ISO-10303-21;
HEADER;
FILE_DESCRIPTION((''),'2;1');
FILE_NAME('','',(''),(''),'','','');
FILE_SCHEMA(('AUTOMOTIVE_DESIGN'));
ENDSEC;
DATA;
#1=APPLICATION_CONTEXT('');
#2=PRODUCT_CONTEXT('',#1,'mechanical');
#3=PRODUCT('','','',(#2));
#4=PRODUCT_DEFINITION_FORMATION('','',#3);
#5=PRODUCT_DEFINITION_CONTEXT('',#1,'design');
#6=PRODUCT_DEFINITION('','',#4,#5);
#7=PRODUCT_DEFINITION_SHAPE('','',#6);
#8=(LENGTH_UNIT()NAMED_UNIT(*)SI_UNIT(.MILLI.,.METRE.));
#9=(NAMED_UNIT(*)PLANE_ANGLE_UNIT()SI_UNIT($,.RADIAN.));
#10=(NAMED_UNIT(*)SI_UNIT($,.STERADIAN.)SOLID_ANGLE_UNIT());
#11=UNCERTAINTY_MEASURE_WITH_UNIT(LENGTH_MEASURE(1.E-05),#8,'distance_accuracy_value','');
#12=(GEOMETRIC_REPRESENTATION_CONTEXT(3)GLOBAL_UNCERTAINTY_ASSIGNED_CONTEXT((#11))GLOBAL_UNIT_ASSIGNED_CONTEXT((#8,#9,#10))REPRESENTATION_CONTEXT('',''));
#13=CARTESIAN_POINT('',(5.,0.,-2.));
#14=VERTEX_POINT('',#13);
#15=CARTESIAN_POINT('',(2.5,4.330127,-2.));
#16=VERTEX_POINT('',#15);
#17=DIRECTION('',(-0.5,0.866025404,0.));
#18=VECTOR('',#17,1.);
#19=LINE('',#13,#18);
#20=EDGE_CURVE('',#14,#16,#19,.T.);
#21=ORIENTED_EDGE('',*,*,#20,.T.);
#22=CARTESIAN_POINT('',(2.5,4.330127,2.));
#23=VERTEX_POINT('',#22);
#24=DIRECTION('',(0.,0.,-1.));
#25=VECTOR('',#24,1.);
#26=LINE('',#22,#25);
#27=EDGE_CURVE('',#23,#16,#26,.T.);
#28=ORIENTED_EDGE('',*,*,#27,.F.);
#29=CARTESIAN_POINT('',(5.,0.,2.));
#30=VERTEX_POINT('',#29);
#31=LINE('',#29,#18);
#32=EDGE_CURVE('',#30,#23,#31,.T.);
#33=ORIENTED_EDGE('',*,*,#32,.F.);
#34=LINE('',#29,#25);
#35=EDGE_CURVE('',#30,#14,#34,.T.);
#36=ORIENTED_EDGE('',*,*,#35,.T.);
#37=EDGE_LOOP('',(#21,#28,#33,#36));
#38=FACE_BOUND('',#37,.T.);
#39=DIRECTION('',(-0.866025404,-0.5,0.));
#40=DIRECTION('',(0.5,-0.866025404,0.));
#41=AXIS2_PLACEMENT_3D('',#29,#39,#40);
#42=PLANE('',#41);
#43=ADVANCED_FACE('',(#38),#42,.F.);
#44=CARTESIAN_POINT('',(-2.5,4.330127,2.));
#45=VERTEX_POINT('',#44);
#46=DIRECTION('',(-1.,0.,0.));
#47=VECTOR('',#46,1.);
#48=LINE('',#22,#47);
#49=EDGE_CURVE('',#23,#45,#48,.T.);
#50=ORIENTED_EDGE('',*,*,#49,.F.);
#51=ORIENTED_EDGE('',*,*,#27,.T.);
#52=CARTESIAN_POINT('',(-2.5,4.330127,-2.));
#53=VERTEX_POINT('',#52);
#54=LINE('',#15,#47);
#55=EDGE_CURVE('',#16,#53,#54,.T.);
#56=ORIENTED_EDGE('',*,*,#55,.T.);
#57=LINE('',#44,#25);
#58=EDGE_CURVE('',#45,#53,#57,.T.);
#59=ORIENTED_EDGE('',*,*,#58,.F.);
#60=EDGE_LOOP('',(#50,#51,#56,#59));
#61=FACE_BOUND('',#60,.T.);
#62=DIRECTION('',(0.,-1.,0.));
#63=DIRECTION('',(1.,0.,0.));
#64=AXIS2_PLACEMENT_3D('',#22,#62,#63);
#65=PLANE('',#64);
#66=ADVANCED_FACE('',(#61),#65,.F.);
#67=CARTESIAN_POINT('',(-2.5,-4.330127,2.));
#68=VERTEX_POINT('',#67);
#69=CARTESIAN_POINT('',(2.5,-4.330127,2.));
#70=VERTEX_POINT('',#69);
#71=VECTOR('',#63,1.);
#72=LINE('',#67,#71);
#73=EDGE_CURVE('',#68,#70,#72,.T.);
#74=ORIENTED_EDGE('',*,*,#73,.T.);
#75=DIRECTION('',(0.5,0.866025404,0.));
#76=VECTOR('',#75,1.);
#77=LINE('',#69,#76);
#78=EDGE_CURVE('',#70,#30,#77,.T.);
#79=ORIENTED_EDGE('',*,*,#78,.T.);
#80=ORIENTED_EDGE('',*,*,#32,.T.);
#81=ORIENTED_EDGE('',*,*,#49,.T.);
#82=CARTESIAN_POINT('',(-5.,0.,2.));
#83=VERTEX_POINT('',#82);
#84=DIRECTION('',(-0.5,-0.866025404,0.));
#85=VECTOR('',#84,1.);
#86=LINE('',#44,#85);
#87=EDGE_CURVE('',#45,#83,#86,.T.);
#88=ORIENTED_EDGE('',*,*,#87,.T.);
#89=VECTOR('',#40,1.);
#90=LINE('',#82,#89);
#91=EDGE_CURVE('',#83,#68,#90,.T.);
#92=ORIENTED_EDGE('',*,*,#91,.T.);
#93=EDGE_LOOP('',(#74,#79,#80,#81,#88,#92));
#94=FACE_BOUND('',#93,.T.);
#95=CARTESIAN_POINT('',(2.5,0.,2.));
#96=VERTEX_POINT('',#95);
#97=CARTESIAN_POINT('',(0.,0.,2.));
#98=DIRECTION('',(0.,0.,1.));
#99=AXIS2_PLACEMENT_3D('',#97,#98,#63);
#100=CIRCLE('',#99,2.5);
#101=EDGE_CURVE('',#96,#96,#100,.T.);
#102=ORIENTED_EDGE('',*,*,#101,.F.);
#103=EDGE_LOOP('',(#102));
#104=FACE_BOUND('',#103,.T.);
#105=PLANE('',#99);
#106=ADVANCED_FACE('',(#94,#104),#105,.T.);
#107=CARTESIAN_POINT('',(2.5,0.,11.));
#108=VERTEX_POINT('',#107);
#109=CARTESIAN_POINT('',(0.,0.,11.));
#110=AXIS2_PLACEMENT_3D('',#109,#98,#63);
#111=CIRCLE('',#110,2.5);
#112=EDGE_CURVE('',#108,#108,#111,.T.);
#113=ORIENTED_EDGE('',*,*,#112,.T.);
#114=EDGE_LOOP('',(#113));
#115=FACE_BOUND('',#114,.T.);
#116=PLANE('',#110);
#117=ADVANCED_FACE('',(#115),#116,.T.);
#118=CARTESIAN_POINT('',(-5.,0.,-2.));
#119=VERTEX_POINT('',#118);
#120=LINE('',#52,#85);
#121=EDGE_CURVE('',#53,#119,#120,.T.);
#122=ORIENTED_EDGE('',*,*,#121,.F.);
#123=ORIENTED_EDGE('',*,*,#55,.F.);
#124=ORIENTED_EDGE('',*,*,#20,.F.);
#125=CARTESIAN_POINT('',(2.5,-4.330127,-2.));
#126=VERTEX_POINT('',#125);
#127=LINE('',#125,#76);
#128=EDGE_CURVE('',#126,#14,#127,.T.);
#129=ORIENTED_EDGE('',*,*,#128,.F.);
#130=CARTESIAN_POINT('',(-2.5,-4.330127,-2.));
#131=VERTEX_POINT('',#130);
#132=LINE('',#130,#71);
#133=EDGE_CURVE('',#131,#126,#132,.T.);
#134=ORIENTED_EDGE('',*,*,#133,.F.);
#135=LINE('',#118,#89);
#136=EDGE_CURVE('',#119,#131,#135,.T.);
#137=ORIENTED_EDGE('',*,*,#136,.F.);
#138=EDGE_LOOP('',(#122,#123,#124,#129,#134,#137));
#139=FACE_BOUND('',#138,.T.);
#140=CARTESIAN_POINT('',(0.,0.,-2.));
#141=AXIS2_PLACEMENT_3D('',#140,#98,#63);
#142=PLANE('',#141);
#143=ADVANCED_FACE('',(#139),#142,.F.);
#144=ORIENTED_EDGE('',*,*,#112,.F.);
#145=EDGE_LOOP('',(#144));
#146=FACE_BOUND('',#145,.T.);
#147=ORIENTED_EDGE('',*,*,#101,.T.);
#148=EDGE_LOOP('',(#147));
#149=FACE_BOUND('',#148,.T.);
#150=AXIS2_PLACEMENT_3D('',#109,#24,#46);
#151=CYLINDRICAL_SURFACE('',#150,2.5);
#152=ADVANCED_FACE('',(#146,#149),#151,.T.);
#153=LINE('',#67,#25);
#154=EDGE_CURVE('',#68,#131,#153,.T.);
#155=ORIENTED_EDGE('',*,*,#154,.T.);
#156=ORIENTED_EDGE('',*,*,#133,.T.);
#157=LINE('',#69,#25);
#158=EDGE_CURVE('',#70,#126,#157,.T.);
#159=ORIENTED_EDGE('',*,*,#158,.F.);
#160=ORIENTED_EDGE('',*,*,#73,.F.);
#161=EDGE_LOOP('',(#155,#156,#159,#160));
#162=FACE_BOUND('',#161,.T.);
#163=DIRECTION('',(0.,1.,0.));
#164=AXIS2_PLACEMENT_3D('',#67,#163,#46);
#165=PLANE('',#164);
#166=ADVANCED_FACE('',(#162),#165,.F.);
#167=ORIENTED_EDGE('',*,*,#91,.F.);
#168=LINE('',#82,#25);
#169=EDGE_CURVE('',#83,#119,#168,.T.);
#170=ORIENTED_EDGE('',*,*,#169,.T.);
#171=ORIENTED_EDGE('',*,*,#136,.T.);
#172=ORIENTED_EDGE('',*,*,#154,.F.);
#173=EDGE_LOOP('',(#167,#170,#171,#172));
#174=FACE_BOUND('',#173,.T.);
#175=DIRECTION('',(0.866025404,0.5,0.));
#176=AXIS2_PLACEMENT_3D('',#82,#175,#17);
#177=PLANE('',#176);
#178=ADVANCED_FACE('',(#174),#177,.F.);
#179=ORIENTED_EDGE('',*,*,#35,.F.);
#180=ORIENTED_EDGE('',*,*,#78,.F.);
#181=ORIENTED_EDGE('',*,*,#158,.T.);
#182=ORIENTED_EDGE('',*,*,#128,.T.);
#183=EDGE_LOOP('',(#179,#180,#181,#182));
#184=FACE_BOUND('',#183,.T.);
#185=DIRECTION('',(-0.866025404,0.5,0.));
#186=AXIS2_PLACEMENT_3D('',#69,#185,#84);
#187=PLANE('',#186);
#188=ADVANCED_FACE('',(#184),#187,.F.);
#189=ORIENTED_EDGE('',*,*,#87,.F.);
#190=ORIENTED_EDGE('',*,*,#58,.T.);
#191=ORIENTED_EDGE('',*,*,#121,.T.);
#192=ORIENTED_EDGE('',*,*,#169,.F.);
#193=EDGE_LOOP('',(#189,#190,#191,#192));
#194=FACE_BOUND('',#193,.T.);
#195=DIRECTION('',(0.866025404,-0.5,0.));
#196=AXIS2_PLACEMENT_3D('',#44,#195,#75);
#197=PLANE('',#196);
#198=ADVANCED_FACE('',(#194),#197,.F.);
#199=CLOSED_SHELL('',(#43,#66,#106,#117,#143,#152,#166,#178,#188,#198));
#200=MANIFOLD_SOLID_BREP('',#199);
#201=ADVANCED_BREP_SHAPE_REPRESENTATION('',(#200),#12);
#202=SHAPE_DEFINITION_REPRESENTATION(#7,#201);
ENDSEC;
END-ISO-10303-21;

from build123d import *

# Parameters (mm, degrees)
BOSS_EXTRUDE1_DEPTH = 2
SKETCH2_R           = 2.5
BOSS_EXTRUDE2_DEPTH = 9


with BuildPart() as part:
    # Sketch1 → Boss-Extrude1 (new, symmetric)
    with BuildSketch(Plane.XY):
        Polygon((5, 0), (2.5, 4.330127019), (-2.5, 4.330127019), (-5, 0), (-2.5, -4.330127019), (2.5, -4.330127019), align=None)
    extrude(amount=BOSS_EXTRUDE1_DEPTH, both=True)

    # Sketch2 → Boss-Extrude2 (add)
    with BuildSketch(Plane.XY.offset(2)):
        Circle(SKETCH2_R)
    extrude(amount=BOSS_EXTRUDE2_DEPTH)


solid = part.part
